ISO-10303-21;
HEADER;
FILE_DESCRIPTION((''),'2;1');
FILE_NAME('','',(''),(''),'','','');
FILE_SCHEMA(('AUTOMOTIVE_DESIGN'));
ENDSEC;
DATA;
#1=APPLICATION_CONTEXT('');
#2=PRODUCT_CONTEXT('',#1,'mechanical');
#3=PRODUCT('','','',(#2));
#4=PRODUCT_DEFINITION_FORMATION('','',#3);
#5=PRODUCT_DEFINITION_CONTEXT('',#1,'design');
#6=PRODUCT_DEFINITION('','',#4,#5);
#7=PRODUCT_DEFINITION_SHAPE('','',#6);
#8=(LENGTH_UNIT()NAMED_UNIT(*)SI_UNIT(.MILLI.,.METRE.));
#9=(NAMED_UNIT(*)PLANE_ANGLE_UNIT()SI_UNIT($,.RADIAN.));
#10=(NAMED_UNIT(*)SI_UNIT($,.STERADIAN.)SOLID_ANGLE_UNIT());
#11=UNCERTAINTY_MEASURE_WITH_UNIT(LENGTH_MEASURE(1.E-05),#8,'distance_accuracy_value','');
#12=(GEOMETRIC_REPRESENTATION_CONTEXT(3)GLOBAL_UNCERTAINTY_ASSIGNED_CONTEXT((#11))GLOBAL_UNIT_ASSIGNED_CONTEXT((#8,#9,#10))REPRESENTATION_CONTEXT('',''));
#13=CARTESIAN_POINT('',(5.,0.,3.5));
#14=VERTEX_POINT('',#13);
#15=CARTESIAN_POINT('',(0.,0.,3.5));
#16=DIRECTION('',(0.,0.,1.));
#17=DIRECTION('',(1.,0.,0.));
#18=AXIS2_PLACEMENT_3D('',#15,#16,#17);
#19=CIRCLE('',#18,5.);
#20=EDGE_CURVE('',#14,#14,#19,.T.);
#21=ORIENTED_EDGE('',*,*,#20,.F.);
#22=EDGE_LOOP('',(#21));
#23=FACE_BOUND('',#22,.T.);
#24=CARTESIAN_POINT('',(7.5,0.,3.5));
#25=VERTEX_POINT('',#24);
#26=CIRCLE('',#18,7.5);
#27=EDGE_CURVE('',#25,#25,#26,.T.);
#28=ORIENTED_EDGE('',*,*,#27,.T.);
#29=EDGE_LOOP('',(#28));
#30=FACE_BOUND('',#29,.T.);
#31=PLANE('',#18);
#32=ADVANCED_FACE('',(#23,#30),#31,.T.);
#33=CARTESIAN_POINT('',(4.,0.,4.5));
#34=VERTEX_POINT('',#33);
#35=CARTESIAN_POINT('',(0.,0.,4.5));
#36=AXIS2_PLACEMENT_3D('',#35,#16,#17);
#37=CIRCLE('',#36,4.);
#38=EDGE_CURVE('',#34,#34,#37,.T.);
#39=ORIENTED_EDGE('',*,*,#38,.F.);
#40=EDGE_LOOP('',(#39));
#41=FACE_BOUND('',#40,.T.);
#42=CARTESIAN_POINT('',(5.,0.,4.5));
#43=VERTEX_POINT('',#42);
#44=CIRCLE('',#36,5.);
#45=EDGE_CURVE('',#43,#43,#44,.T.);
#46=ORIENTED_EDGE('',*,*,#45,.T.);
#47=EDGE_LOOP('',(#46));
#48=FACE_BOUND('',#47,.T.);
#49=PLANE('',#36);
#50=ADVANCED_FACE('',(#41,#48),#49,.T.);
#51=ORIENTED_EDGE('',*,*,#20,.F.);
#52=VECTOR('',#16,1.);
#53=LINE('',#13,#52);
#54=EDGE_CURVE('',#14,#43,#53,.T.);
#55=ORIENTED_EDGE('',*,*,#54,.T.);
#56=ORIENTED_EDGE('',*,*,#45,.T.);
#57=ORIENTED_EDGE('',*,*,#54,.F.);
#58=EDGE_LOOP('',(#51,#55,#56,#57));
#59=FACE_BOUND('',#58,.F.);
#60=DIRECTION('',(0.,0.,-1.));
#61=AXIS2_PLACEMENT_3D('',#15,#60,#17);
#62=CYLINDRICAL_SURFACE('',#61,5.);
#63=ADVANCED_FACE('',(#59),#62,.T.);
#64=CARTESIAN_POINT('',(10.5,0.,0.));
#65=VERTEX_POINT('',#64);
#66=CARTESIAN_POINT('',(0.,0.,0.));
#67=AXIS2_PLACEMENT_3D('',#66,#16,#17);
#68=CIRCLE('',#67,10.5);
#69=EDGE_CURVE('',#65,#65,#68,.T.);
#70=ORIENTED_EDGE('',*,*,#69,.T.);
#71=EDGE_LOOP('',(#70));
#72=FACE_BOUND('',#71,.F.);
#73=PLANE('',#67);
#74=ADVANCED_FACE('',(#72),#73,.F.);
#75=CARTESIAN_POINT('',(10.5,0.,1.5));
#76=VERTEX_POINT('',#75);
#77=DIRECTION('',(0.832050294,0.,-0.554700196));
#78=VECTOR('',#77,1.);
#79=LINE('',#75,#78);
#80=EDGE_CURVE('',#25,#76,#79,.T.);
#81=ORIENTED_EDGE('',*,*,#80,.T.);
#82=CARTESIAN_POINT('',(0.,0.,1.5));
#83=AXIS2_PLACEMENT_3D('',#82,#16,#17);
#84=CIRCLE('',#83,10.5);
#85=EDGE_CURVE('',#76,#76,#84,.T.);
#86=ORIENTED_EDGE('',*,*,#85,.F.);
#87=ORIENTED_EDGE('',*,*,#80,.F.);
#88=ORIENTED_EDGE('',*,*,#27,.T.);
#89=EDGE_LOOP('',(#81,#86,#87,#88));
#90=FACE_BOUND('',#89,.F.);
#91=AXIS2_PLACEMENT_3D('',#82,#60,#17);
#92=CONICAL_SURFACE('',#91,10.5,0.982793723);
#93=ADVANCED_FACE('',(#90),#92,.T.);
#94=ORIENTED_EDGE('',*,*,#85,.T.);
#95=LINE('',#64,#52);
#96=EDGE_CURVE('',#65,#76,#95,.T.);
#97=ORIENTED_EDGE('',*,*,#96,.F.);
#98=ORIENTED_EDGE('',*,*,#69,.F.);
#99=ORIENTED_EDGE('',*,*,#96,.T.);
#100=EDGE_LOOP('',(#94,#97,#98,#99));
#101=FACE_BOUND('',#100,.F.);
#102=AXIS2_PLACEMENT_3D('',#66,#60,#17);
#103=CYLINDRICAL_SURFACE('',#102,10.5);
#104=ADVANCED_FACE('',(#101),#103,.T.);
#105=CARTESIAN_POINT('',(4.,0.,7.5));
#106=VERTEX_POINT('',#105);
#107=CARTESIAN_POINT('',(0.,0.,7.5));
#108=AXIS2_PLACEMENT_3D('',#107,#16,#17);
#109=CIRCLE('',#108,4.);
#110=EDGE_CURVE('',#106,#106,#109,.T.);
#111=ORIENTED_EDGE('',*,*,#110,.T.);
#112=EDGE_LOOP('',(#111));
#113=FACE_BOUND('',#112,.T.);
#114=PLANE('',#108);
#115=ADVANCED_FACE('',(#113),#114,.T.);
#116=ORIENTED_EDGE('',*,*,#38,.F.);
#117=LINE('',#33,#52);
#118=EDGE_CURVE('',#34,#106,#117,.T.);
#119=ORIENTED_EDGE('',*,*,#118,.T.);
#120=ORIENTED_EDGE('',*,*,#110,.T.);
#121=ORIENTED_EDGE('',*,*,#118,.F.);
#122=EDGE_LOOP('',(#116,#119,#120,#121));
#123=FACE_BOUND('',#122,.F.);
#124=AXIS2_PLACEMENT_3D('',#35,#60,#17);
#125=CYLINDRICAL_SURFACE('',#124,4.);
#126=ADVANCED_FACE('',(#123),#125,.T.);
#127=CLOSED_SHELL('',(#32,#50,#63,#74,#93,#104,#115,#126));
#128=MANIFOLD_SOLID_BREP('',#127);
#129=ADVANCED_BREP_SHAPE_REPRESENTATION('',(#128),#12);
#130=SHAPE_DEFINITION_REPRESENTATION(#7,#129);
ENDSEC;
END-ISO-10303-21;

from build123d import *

# Parameters (mm, degrees)
F0_R     = 10.5
F1_DEPTH = 3.5
F2_R     = 5
F3_DEPTH = 1
F4_R     = 4
F5_DEPTH = 3
F6_SIZE2 = 2
F6_SIZE  = 3


with BuildPart() as f1:
    # F0 (on Top) → F1 (new body)
    with BuildSketch(Plane.XY):
        Circle(F0_R)
    extrude(amount=F1_DEPTH)

    # F2 (on face) → F3 (join)
    with BuildSketch(Plane.XY.offset(3.5)):
        Circle(F2_R)
    extrude(amount=F3_DEPTH)

    # F4 (on face) → F5 (join)
    with BuildSketch(Plane.XY.offset(4.5)):
        Circle(F4_R)
    extrude(amount=F5_DEPTH)

    # F6
    f6_edges = [f1.edges().sort_by_distance(p)[0] for p in [
        (-10.5, 0, 3.5),
    ]]
    f6_side = f1.faces().sort_by_distance((-10.203015, 0, 3.5))[0]
    chamfer(f6_edges, length=F6_SIZE, length2=F6_SIZE2, reference=f6_side)


solid = f1.part
